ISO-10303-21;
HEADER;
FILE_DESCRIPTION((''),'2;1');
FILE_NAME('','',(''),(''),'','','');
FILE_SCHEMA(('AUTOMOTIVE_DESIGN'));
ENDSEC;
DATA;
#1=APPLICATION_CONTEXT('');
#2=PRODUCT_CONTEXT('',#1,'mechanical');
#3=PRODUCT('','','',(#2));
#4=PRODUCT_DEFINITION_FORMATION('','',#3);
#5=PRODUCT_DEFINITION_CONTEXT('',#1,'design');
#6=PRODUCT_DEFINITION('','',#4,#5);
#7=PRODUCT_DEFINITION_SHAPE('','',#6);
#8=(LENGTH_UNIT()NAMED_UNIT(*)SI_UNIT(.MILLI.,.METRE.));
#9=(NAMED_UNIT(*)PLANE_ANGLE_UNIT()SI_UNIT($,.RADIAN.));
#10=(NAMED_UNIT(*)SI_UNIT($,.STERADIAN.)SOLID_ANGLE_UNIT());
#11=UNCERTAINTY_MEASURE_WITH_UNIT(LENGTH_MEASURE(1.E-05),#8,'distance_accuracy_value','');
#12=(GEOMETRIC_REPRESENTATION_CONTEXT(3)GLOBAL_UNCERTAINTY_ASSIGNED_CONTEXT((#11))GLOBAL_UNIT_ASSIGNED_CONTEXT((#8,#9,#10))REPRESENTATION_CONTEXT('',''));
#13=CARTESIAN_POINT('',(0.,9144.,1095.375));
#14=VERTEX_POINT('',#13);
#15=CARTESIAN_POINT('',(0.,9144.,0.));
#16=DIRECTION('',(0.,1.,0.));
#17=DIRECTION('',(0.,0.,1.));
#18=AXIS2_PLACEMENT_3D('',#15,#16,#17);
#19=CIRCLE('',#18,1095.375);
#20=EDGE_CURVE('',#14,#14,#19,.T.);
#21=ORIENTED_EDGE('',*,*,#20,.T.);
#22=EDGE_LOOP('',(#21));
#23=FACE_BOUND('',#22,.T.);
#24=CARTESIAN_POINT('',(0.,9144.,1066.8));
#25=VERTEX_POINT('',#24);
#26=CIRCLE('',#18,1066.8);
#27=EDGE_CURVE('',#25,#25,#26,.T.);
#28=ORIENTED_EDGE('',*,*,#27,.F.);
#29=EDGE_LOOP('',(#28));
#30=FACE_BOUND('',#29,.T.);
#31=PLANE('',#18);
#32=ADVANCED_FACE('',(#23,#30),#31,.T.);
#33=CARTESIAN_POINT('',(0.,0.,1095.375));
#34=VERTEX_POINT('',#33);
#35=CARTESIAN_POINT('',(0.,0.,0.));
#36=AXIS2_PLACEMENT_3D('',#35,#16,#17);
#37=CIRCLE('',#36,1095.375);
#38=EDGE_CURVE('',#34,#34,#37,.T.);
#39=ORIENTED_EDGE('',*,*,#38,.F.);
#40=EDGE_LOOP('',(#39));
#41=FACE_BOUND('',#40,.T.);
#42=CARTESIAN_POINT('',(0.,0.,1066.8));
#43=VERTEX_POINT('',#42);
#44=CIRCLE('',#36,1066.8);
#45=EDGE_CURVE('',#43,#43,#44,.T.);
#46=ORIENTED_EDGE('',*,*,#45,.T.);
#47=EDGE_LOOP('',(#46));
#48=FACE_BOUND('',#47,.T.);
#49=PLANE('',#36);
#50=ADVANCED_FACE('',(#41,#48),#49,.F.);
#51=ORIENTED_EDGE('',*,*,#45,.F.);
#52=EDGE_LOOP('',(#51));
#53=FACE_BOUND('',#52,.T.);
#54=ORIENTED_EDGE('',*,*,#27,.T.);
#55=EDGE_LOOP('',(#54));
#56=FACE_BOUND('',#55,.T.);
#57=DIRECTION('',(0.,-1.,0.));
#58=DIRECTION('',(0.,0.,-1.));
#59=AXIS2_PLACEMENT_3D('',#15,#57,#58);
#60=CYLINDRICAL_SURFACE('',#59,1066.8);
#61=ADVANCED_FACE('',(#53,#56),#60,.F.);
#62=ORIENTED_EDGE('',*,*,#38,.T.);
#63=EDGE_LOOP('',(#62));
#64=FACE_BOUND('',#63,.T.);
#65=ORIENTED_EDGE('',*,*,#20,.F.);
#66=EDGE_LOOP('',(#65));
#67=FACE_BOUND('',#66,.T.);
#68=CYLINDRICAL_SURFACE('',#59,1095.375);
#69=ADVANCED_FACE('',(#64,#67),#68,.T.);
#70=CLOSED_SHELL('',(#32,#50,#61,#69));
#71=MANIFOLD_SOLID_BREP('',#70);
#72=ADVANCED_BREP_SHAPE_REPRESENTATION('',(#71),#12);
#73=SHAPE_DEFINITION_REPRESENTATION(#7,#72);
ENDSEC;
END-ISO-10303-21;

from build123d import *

# Parameters (mm, degrees)
SKETCH1_R           = 1095.375
SKETCH1_R_2         = 1066.8
BOSS_EXTRUDE1_DEPTH = 9144


with BuildPart() as part:
    # Sketch1 → Boss-Extrude1 (new body)
    with BuildSketch(Plane(origin=(0, 0, 0), x_dir=(1, 0, 0), z_dir=(0, 1, 0))):
        with Locations(Location((0, 0, 0), (0, 0, 270))):
            Circle(SKETCH1_R)
        with Locations(Location((0, 0, 0), (0, 0, 270))):
            Circle(SKETCH1_R_2, mode=Mode.SUBTRACT)
    extrude(amount=BOSS_EXTRUDE1_DEPTH)


solid = part.part
